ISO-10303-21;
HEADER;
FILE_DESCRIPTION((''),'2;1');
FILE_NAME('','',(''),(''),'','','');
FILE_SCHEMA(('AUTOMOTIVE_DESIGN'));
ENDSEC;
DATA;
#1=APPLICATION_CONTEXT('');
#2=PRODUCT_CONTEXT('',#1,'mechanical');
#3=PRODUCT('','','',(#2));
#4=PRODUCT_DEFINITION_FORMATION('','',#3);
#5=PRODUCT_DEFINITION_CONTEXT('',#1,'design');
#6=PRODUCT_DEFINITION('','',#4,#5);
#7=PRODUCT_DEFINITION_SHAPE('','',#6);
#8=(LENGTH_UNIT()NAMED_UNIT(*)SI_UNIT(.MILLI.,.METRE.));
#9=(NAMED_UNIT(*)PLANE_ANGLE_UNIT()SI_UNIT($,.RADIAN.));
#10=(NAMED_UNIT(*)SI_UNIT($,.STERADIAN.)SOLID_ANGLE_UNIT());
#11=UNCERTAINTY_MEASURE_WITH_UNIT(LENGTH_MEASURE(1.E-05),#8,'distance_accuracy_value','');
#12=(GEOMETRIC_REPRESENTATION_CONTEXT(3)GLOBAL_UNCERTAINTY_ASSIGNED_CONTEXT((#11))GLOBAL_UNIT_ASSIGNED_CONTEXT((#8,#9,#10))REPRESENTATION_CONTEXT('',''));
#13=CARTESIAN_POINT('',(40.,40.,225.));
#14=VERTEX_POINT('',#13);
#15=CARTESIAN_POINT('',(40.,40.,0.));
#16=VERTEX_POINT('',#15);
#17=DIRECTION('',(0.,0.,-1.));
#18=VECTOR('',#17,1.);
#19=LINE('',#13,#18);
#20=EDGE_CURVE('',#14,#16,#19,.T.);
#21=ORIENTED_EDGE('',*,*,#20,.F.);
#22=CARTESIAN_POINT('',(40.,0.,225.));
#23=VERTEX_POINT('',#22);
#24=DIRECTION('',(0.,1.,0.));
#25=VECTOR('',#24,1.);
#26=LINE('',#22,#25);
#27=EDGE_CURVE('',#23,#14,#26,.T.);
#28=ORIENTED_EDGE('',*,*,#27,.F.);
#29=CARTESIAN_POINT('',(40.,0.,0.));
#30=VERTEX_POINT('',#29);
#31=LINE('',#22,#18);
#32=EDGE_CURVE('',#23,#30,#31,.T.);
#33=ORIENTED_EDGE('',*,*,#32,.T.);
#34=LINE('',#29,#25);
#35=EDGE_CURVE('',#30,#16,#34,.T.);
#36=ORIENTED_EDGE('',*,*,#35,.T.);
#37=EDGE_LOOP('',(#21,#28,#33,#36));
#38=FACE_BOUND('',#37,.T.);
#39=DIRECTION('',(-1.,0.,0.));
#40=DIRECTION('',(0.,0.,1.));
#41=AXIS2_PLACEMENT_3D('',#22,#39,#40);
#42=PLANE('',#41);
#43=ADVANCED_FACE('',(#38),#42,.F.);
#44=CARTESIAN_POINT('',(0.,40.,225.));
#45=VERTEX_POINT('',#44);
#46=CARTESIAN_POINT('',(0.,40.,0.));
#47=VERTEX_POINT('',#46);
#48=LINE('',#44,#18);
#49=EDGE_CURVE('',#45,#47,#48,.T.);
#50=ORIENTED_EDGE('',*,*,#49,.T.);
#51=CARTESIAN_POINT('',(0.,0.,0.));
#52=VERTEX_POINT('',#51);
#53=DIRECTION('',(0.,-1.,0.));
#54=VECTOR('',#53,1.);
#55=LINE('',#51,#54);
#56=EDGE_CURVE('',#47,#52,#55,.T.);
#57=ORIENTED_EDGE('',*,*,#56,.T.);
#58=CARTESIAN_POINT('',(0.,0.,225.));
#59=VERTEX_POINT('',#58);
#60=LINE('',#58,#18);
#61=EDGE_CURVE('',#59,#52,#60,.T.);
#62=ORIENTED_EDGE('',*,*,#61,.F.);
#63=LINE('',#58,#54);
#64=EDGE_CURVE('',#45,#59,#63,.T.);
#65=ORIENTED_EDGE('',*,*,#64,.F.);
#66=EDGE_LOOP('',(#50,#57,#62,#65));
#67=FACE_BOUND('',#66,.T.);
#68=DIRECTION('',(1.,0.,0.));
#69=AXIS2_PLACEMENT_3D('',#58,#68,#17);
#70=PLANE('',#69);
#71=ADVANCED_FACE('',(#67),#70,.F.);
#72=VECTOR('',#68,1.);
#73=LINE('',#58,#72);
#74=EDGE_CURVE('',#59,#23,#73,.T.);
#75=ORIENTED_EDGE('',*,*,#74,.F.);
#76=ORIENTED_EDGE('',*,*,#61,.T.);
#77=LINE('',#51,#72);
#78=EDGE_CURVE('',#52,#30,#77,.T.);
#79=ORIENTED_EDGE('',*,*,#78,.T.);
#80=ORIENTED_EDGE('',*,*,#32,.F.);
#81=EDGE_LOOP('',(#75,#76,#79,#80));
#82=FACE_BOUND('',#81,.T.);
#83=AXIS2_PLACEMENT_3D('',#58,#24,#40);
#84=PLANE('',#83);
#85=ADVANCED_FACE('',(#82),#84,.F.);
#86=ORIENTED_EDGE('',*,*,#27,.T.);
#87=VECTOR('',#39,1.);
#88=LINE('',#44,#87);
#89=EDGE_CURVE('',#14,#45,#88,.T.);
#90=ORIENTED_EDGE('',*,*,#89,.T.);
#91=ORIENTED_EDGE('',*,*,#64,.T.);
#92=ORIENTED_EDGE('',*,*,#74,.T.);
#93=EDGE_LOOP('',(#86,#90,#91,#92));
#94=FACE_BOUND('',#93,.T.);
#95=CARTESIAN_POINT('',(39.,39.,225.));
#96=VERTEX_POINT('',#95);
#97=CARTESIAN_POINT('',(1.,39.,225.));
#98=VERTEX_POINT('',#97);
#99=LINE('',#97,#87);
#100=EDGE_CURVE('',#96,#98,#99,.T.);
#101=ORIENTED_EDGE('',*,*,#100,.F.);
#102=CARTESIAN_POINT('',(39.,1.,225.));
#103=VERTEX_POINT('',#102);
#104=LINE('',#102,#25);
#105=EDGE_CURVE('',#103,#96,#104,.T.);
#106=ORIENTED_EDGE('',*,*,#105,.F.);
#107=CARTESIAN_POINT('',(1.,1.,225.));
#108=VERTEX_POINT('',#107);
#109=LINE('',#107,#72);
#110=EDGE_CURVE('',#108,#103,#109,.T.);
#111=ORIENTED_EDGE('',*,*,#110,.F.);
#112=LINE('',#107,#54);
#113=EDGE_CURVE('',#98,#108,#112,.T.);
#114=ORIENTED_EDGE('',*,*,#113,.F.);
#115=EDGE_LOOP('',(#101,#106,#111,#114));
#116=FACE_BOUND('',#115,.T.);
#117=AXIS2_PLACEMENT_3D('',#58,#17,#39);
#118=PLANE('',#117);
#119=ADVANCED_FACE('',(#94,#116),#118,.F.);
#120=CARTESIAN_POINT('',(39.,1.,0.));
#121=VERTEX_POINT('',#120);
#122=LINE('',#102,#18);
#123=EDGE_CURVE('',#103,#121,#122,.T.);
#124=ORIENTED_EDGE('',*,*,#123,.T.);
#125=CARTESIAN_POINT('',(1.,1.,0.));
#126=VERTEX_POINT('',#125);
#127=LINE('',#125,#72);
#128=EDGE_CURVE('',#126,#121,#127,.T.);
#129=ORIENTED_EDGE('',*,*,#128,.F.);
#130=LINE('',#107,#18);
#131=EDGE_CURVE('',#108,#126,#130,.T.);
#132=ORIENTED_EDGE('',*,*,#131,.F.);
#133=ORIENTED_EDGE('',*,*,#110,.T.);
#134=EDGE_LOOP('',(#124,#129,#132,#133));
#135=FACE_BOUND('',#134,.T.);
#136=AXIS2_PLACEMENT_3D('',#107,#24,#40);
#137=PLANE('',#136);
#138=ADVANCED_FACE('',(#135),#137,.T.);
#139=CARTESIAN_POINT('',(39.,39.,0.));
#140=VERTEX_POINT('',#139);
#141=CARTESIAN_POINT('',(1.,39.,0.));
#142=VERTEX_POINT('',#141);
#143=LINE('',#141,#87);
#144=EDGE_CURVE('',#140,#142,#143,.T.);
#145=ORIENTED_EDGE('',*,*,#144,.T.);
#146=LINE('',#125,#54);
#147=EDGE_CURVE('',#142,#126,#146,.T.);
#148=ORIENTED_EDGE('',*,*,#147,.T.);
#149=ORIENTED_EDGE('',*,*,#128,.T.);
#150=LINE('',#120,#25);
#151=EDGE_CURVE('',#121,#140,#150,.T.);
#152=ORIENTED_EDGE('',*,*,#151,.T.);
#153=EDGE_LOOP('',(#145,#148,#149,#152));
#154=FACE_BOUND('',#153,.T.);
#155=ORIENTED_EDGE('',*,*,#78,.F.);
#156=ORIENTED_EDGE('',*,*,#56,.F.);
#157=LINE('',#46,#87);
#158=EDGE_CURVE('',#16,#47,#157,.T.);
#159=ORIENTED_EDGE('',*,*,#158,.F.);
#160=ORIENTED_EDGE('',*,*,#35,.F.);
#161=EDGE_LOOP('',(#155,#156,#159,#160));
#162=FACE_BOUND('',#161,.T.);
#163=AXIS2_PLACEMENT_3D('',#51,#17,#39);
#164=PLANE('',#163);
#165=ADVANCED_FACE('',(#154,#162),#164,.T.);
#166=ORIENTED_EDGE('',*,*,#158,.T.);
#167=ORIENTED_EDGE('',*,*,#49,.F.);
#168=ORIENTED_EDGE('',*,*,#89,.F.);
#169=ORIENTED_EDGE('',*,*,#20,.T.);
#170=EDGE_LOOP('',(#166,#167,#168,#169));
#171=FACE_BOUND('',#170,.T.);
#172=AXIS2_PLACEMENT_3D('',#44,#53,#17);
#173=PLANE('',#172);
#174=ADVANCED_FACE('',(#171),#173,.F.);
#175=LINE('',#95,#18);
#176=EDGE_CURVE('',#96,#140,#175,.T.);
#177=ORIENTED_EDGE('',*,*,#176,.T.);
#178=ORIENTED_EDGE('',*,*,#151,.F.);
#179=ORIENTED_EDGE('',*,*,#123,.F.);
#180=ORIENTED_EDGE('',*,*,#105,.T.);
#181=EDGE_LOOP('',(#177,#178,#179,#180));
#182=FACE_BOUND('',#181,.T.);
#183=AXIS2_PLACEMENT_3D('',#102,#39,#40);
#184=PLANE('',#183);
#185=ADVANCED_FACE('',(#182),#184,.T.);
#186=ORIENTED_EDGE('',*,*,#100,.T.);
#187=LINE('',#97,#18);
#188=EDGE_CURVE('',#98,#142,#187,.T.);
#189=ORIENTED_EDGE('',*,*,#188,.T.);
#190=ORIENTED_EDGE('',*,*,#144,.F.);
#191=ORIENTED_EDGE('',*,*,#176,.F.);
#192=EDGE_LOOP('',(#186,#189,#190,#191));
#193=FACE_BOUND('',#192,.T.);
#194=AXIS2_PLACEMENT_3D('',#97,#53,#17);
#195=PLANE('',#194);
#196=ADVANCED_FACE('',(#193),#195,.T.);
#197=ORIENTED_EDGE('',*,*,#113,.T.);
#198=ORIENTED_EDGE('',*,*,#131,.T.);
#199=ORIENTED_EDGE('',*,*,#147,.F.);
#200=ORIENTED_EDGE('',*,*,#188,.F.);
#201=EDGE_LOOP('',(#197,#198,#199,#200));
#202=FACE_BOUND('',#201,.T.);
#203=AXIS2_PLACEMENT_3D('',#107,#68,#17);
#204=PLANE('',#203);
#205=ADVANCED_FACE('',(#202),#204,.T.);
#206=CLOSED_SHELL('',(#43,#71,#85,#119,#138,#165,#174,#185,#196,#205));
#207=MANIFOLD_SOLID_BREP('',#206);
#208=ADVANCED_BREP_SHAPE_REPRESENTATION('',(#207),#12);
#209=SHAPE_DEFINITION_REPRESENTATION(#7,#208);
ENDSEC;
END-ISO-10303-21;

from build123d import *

# Parameters (mm, degrees)
SKETCH_1_W      = 40
SKETCH_1_H      = 40
SKETCH_1_W_2    = 38
SKETCH_1_H_2    = 38
EXTRUDE_1_DEPTH = 225


with BuildPart() as part:
    # 草图1 → 凸台-拉伸1 (new body)
    with BuildSketch(Plane.XY):
        with Locations((20, 20)):
            Rectangle(SKETCH_1_W, SKETCH_1_H)
        with Locations((20, 20)):
            Rectangle(SKETCH_1_W_2, SKETCH_1_H_2, mode=Mode.SUBTRACT)
    extrude(amount=EXTRUDE_1_DEPTH)


solid = part.part
